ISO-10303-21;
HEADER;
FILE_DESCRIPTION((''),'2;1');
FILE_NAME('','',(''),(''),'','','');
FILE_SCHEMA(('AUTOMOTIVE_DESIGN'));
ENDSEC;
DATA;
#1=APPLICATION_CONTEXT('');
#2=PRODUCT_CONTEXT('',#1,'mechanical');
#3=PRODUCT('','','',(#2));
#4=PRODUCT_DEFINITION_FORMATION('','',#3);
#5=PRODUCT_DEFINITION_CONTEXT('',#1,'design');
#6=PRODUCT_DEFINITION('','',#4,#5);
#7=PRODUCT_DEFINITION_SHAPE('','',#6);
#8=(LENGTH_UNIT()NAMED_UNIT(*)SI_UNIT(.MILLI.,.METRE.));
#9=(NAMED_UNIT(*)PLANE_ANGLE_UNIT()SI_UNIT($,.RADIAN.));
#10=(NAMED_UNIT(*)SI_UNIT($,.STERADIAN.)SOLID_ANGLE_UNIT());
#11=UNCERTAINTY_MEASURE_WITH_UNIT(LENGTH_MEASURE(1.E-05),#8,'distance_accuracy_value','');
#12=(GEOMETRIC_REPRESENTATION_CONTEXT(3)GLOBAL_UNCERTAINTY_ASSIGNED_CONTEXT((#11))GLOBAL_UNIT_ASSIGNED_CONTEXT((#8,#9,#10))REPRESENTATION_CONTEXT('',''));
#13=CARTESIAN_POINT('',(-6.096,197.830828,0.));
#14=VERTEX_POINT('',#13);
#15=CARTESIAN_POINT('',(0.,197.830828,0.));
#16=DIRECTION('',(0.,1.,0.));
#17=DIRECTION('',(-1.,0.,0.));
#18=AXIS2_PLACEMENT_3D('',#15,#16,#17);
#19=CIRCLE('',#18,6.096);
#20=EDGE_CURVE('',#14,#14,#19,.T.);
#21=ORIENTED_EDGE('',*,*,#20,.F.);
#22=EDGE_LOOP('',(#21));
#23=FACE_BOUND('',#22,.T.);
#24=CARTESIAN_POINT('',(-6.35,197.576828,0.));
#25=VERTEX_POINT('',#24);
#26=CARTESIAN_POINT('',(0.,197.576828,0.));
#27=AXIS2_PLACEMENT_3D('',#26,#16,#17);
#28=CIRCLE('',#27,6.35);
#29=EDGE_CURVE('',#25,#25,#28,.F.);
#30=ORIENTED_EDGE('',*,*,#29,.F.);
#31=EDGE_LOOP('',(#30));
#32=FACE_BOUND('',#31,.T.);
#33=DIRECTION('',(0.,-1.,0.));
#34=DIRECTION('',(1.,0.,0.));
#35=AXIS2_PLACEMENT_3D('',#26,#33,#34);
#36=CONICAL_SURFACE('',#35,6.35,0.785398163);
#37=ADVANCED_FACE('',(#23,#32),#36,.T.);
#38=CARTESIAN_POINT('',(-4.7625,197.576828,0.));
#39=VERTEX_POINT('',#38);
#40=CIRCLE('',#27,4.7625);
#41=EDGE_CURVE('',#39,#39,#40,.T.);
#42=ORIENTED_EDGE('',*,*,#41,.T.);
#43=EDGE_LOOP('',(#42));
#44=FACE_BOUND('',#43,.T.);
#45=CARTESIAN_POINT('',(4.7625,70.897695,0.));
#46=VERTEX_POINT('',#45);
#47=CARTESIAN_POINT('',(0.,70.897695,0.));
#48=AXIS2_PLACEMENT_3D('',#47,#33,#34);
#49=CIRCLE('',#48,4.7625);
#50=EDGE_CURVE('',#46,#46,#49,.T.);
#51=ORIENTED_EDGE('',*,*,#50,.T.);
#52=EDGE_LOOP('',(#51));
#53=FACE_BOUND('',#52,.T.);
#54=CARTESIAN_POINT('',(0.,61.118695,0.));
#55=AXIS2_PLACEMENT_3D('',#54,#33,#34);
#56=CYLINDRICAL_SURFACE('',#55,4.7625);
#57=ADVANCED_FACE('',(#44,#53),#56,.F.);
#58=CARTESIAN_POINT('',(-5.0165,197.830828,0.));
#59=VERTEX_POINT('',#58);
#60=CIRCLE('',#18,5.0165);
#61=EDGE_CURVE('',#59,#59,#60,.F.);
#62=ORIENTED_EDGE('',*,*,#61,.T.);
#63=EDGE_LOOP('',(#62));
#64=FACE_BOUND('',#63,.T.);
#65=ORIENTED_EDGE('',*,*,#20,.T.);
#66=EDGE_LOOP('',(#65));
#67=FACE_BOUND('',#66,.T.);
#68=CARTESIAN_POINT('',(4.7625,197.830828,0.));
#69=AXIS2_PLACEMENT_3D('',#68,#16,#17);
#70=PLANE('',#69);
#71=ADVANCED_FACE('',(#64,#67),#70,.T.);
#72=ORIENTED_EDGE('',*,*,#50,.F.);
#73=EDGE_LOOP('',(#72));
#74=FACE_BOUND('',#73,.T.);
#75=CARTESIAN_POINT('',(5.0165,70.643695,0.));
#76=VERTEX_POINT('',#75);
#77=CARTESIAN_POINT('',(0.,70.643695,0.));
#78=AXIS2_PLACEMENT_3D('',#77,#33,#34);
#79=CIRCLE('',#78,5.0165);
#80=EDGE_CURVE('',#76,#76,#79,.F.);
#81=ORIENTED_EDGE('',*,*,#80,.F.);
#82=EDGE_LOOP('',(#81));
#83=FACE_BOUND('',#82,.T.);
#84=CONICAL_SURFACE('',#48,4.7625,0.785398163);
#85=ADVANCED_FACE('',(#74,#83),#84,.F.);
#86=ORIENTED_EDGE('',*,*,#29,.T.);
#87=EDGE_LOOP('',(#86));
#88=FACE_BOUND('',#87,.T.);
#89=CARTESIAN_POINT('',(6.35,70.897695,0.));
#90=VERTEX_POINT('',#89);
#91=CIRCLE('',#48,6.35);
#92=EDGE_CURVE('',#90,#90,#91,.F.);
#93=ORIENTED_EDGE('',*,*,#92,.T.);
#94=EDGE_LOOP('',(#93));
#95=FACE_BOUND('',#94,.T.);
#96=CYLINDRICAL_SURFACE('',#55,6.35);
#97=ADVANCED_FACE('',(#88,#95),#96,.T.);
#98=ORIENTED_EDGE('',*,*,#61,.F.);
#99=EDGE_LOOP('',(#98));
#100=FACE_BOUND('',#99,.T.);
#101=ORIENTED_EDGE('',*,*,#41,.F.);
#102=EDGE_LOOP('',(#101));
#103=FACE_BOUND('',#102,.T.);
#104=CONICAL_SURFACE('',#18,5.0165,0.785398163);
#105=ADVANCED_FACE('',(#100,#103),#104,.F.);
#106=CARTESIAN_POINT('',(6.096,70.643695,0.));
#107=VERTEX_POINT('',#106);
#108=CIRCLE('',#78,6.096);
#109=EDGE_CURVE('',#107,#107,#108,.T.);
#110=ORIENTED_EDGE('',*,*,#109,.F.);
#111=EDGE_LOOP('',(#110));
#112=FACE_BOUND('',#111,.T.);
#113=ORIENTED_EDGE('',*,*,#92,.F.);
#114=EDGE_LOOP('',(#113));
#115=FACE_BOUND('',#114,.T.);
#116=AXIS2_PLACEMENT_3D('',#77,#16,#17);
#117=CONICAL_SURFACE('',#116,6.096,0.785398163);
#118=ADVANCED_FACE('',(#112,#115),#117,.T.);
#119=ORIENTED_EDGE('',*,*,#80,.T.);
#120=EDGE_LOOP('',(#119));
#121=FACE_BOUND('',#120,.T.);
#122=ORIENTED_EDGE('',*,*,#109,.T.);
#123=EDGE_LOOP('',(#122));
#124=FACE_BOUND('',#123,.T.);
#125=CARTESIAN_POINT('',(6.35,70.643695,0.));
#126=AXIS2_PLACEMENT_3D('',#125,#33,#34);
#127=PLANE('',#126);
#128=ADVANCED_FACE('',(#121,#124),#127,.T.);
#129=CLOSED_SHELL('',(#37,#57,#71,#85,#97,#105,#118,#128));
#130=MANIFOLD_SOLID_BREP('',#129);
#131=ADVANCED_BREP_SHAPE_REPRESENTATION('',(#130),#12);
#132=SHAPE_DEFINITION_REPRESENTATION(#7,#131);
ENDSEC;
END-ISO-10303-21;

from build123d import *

# Parameters (mm, degrees)
SKETCH1_W     = 1.5875
SKETCH1_H     = 127.187133447
CHAMFER1_SIZE = 0.254


with BuildPart() as part:
    # Sketch1 → Revolve1 (revolve)
    with BuildSketch(Plane.XY):
        with Locations((5.55625, 134.237261689)):
            Rectangle(SKETCH1_W, SKETCH1_H)
    revolve(axis=Axis((0, 61.118694965, 0), (0, 1, 0)))

    # Chamfer1
    chamfer1_edges = [part.edges().sort_by_distance(p)[0] for p in [
        (-6.35, 70.643694965, 0),
        (-6.35, 197.830828412, 0),
        (-4.7625, 197.830828412, 0),
        (-4.7625, 70.643694965, 0),
    ]]
    chamfer(chamfer1_edges, length=CHAMFER1_SIZE)


solid = part.part
